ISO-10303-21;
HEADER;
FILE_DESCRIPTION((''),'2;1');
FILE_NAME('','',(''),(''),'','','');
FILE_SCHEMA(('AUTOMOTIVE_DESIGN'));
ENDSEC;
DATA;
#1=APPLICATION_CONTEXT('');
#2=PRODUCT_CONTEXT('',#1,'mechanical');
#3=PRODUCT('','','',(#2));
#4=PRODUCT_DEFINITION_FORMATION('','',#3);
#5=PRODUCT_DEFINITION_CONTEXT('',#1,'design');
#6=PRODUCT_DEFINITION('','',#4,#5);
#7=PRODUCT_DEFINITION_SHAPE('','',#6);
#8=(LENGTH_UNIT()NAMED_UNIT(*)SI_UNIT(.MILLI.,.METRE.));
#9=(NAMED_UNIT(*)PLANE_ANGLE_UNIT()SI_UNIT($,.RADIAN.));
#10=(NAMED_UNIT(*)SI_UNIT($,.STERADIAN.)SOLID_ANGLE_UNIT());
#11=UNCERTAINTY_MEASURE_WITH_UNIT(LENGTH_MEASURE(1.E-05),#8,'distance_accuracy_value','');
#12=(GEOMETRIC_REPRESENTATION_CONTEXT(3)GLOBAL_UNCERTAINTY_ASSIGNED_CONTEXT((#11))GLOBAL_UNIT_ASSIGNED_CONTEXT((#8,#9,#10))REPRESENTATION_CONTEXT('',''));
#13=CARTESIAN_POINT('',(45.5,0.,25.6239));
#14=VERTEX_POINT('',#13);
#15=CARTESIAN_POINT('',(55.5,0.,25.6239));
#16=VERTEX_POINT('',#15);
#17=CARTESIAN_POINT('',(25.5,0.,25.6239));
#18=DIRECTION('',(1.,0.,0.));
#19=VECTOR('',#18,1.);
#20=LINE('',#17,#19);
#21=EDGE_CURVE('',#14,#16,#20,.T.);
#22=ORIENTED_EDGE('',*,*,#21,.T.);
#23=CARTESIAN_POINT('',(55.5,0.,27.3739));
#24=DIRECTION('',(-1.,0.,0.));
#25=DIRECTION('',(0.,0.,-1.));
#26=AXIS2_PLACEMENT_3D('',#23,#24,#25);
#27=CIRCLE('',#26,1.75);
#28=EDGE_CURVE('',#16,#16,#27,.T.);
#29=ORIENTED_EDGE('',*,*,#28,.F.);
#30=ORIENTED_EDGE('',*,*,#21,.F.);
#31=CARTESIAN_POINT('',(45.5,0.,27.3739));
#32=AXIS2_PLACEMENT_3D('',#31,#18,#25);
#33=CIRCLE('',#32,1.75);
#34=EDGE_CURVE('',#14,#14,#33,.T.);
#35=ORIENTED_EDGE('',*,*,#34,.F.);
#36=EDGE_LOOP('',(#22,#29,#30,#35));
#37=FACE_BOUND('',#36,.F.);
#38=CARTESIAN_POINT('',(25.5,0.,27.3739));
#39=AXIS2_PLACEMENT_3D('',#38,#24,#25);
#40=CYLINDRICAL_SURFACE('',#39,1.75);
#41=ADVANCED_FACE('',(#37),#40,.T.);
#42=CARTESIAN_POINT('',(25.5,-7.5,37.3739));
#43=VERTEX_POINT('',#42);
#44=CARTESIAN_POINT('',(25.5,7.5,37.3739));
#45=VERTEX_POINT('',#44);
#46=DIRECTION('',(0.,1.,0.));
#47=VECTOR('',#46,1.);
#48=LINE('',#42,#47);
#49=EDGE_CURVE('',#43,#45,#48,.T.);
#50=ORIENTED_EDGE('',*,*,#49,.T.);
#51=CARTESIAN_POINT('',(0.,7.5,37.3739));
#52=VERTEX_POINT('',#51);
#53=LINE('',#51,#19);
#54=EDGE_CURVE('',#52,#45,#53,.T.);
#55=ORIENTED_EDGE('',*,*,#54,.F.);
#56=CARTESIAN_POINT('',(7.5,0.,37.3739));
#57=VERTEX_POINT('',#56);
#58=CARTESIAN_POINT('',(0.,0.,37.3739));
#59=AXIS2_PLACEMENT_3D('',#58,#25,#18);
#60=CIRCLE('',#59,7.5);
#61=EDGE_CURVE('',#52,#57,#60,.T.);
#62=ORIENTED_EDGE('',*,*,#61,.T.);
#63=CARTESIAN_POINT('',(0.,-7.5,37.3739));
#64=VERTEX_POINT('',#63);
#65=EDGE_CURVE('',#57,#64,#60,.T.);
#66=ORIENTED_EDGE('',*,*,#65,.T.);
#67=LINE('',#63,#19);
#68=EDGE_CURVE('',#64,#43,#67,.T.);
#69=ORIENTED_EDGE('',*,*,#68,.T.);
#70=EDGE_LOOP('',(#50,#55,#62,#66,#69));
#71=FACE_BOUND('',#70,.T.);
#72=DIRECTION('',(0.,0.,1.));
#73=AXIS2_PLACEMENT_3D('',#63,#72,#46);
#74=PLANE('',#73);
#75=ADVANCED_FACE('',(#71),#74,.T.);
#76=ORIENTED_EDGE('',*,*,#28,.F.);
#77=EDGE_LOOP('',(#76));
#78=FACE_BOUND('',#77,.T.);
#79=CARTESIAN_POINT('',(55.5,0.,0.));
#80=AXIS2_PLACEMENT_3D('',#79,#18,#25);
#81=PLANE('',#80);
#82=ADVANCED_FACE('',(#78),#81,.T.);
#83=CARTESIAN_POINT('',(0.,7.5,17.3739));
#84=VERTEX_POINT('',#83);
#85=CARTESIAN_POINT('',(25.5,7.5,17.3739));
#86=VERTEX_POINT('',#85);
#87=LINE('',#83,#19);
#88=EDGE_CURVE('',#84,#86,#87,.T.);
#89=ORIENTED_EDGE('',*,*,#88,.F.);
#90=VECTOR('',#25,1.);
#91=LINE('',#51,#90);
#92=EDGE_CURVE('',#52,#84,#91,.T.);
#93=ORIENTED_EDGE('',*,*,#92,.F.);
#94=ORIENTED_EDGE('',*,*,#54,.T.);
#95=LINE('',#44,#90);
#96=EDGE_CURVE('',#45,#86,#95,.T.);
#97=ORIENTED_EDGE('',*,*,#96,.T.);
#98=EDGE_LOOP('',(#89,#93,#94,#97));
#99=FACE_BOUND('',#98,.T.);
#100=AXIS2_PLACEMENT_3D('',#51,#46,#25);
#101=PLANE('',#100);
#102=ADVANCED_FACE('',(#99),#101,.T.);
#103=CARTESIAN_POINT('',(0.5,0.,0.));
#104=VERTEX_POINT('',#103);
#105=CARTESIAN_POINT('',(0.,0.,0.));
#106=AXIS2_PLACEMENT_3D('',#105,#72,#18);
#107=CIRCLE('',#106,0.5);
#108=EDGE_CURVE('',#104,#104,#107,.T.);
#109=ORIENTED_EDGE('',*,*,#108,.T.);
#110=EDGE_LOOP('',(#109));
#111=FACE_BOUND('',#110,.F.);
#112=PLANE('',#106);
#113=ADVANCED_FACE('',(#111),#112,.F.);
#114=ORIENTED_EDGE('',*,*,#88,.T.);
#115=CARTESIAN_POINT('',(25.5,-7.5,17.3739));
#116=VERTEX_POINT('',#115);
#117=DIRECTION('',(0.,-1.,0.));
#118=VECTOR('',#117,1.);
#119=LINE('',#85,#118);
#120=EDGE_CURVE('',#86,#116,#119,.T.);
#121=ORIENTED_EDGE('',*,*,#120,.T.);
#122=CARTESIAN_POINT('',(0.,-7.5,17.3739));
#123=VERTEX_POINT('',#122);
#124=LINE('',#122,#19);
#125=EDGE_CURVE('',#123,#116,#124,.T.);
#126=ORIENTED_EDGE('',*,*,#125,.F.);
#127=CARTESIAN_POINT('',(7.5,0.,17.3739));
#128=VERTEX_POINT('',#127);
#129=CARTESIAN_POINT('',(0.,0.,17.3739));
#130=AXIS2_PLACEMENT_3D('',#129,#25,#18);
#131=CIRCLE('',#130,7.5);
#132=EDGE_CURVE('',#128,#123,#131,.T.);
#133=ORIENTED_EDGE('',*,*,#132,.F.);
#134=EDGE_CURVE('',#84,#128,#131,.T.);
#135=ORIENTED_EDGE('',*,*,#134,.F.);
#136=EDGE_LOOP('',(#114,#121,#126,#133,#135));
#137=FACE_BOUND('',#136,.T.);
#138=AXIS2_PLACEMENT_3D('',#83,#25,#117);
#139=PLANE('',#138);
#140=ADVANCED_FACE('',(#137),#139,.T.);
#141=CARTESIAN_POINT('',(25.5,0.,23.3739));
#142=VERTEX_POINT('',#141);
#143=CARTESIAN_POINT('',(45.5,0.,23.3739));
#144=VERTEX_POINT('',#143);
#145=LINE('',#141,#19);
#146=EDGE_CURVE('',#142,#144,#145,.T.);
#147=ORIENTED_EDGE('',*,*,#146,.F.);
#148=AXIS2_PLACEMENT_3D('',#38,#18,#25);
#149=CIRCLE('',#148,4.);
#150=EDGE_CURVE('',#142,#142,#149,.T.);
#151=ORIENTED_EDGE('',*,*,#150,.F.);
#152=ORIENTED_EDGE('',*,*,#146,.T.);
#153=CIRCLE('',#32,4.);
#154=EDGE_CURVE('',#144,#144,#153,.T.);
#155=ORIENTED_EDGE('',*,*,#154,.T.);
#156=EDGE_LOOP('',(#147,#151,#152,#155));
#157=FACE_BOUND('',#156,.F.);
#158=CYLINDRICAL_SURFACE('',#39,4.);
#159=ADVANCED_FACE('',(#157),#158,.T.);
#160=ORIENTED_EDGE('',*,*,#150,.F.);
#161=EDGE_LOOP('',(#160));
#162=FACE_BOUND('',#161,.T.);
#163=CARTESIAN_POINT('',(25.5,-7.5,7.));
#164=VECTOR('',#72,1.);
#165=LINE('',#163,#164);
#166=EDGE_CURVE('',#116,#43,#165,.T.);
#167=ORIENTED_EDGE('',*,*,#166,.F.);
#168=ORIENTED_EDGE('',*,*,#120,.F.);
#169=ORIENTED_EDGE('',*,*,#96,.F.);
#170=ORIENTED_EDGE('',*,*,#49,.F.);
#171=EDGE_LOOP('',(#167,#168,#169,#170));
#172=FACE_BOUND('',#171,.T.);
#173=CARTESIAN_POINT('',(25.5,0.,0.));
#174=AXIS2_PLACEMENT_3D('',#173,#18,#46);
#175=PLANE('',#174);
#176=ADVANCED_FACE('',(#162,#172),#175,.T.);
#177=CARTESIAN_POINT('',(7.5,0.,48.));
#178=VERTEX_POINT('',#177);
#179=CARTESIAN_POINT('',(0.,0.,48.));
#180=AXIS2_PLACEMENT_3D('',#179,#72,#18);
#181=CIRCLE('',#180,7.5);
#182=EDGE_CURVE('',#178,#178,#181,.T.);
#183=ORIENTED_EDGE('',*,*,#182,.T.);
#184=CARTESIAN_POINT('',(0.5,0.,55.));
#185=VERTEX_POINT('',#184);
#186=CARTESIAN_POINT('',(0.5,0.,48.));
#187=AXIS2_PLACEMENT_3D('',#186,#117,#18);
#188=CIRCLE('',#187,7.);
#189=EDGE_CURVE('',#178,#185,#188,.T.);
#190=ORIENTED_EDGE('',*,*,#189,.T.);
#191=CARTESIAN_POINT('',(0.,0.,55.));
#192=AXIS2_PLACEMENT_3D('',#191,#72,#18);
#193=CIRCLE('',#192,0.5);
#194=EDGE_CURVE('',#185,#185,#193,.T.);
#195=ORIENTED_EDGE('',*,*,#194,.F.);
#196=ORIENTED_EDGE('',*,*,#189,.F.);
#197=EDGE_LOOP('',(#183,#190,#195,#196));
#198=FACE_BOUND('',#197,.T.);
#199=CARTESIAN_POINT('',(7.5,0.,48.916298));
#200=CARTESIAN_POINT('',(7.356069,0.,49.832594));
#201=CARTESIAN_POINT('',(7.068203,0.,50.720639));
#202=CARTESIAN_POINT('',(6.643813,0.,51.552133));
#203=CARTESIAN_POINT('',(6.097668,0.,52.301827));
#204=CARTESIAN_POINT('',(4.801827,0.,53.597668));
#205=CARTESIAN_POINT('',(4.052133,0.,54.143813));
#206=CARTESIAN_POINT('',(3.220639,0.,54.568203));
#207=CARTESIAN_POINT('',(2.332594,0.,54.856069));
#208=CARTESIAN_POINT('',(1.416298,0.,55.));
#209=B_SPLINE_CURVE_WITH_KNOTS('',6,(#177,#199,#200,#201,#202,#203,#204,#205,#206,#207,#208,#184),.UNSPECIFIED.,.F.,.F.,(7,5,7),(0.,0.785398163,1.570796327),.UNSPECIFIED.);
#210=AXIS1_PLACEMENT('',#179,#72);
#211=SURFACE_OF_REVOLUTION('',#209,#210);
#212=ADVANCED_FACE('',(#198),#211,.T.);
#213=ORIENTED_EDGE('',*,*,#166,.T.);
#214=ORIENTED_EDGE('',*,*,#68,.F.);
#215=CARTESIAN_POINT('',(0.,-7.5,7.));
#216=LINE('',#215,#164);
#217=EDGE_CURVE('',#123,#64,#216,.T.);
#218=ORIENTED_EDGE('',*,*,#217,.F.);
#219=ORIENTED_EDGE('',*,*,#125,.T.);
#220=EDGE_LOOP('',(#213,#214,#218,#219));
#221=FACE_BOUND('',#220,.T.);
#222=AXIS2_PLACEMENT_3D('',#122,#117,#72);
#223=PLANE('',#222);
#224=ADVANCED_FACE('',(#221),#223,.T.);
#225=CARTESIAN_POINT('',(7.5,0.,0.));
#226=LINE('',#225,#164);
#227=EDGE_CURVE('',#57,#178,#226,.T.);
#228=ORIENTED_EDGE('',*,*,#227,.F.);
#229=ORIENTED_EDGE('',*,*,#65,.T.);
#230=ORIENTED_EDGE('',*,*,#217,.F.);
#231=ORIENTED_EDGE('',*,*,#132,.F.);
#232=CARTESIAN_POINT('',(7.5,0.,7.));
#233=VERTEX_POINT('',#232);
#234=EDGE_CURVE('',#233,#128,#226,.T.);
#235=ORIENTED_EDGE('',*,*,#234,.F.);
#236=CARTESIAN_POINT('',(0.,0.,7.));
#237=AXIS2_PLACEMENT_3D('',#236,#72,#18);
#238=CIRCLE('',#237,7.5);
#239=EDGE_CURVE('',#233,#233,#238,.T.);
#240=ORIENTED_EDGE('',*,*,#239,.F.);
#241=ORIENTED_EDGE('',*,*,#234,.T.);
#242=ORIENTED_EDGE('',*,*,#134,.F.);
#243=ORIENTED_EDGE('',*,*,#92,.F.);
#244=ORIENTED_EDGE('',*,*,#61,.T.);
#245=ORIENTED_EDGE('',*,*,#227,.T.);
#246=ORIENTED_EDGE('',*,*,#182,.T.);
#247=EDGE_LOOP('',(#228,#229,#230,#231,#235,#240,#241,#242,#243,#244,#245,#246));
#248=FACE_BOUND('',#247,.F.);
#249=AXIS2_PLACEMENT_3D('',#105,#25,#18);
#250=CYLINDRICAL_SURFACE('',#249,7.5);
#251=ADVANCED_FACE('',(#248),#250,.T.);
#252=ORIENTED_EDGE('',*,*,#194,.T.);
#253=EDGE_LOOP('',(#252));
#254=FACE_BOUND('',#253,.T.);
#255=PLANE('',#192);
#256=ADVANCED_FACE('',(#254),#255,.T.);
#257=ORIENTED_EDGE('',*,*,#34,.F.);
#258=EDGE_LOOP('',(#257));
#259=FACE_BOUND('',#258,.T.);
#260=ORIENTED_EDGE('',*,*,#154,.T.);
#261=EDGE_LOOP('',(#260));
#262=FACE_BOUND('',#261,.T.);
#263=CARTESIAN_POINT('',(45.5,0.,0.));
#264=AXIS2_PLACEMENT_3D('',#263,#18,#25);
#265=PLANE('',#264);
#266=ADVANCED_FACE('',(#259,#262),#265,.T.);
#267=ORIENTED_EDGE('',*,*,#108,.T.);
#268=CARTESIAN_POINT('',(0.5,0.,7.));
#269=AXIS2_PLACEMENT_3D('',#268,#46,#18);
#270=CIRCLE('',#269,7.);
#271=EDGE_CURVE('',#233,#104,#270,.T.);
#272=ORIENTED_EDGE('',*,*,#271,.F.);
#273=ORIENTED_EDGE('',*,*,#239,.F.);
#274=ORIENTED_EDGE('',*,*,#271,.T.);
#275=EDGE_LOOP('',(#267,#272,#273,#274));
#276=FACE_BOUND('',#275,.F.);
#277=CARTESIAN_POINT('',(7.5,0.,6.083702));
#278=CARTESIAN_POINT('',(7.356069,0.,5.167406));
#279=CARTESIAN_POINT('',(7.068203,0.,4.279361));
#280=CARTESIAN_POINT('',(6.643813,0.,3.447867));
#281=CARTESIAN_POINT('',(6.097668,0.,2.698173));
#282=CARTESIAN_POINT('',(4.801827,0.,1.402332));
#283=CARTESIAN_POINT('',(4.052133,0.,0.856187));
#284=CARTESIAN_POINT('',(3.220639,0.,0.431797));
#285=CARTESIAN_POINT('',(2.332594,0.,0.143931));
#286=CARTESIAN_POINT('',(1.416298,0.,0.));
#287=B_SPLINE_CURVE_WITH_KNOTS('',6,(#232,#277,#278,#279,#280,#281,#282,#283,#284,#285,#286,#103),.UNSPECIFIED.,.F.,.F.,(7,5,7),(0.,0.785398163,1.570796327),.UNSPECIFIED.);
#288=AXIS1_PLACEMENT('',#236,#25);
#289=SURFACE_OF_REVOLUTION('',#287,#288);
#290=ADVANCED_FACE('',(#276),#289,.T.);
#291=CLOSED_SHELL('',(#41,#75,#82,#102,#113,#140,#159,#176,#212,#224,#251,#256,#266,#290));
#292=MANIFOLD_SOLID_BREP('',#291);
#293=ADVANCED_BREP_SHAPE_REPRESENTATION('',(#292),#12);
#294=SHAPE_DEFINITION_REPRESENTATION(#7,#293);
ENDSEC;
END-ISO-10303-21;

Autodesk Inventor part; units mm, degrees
ref_plane "YZ Plane" through (0, 0, 0) normal (1, 0, 0) x (0, 1, 0)
ref_plane "XZ Plane" through (0, 0, 0) normal (0, 1, 0) x (-1, 0, 0)
ref_plane "XY Plane" through (0, 0, 0) normal (0, 0, 1) x (1, 0, 0)
sketch "Sketch1" plane through (0, 0, 0) normal (0, 0, 1) x (1, 0, 0)
  circle A0 centre (0, 0) radius 7.5
  dimension "d0" = 15
extrude "Extrusion1" add sketch "Sketch1" along normal blind 55
fillet "Fillet1" radius 7 1 edges at (-7.5, 0, 55)
fillet "Fillet2" radius 7 1 edges at (-7.5, 0, 0)
sketch "Sketch2" plane through (0, 0, 0) normal (1, 0, 0) x (0, 1, 0)
  line L0 (-7.5, 7) -> (-7.5, 48) projected
  line L1 (-7.5, 37.3739) -> (7.5, 37.3739)
  line L2 (7.5, 37.3739) -> (7.5, 17.3739)
  line L3 (7.5, 17.3739) -> (-7.5, 17.3739)
  line L4 (-7.5, 17.3739) -> (-7.5, 37.3739)
  point P0 (0, 0)
  dimension "d5" = 15
  dimension "d6" = 20
extrude "Extrusion2" add sketch "Sketch2" along normal blind 25.5
sketch "Sketch3" plane through (25.5, 0, 0) normal (1, 0, 0) x (0, 0, -1)
  line L0 (-37.3739, 7.5) -> (-37.3739, -7.5) projected
  line L1 (-37.3739, 0) -> (-27.3739, 0)
  circle A0 centre (-27.3739, 0) radius 1.75
  point P0 (0, 0)
  dimension "d9" = 10
  dimension "d10" = 3.5
extrude "Extrusion3" add sketch "Sketch3" along normal blind 30
sketch "Sketch4" plane through (25.5, 0, 0) normal (1, 0, 0) x (0, 0, -1)
  circle A0 centre (-27.3739, 0) radius 1.75 projected
  circle A1 centre (-27.3739, 0) radius 4
  point P0 (0, 0)
  dimension "d13" = 8
extrude "Extrusion4" add sketch "Sketch4" along normal blind 20
sketch "Sketch5" plane through (0, -7.5, 17.3739) normal (0, -1, 0) x (1, 0, 0)
  point P0 (0, -17.3739)
properties part number "Mic"
